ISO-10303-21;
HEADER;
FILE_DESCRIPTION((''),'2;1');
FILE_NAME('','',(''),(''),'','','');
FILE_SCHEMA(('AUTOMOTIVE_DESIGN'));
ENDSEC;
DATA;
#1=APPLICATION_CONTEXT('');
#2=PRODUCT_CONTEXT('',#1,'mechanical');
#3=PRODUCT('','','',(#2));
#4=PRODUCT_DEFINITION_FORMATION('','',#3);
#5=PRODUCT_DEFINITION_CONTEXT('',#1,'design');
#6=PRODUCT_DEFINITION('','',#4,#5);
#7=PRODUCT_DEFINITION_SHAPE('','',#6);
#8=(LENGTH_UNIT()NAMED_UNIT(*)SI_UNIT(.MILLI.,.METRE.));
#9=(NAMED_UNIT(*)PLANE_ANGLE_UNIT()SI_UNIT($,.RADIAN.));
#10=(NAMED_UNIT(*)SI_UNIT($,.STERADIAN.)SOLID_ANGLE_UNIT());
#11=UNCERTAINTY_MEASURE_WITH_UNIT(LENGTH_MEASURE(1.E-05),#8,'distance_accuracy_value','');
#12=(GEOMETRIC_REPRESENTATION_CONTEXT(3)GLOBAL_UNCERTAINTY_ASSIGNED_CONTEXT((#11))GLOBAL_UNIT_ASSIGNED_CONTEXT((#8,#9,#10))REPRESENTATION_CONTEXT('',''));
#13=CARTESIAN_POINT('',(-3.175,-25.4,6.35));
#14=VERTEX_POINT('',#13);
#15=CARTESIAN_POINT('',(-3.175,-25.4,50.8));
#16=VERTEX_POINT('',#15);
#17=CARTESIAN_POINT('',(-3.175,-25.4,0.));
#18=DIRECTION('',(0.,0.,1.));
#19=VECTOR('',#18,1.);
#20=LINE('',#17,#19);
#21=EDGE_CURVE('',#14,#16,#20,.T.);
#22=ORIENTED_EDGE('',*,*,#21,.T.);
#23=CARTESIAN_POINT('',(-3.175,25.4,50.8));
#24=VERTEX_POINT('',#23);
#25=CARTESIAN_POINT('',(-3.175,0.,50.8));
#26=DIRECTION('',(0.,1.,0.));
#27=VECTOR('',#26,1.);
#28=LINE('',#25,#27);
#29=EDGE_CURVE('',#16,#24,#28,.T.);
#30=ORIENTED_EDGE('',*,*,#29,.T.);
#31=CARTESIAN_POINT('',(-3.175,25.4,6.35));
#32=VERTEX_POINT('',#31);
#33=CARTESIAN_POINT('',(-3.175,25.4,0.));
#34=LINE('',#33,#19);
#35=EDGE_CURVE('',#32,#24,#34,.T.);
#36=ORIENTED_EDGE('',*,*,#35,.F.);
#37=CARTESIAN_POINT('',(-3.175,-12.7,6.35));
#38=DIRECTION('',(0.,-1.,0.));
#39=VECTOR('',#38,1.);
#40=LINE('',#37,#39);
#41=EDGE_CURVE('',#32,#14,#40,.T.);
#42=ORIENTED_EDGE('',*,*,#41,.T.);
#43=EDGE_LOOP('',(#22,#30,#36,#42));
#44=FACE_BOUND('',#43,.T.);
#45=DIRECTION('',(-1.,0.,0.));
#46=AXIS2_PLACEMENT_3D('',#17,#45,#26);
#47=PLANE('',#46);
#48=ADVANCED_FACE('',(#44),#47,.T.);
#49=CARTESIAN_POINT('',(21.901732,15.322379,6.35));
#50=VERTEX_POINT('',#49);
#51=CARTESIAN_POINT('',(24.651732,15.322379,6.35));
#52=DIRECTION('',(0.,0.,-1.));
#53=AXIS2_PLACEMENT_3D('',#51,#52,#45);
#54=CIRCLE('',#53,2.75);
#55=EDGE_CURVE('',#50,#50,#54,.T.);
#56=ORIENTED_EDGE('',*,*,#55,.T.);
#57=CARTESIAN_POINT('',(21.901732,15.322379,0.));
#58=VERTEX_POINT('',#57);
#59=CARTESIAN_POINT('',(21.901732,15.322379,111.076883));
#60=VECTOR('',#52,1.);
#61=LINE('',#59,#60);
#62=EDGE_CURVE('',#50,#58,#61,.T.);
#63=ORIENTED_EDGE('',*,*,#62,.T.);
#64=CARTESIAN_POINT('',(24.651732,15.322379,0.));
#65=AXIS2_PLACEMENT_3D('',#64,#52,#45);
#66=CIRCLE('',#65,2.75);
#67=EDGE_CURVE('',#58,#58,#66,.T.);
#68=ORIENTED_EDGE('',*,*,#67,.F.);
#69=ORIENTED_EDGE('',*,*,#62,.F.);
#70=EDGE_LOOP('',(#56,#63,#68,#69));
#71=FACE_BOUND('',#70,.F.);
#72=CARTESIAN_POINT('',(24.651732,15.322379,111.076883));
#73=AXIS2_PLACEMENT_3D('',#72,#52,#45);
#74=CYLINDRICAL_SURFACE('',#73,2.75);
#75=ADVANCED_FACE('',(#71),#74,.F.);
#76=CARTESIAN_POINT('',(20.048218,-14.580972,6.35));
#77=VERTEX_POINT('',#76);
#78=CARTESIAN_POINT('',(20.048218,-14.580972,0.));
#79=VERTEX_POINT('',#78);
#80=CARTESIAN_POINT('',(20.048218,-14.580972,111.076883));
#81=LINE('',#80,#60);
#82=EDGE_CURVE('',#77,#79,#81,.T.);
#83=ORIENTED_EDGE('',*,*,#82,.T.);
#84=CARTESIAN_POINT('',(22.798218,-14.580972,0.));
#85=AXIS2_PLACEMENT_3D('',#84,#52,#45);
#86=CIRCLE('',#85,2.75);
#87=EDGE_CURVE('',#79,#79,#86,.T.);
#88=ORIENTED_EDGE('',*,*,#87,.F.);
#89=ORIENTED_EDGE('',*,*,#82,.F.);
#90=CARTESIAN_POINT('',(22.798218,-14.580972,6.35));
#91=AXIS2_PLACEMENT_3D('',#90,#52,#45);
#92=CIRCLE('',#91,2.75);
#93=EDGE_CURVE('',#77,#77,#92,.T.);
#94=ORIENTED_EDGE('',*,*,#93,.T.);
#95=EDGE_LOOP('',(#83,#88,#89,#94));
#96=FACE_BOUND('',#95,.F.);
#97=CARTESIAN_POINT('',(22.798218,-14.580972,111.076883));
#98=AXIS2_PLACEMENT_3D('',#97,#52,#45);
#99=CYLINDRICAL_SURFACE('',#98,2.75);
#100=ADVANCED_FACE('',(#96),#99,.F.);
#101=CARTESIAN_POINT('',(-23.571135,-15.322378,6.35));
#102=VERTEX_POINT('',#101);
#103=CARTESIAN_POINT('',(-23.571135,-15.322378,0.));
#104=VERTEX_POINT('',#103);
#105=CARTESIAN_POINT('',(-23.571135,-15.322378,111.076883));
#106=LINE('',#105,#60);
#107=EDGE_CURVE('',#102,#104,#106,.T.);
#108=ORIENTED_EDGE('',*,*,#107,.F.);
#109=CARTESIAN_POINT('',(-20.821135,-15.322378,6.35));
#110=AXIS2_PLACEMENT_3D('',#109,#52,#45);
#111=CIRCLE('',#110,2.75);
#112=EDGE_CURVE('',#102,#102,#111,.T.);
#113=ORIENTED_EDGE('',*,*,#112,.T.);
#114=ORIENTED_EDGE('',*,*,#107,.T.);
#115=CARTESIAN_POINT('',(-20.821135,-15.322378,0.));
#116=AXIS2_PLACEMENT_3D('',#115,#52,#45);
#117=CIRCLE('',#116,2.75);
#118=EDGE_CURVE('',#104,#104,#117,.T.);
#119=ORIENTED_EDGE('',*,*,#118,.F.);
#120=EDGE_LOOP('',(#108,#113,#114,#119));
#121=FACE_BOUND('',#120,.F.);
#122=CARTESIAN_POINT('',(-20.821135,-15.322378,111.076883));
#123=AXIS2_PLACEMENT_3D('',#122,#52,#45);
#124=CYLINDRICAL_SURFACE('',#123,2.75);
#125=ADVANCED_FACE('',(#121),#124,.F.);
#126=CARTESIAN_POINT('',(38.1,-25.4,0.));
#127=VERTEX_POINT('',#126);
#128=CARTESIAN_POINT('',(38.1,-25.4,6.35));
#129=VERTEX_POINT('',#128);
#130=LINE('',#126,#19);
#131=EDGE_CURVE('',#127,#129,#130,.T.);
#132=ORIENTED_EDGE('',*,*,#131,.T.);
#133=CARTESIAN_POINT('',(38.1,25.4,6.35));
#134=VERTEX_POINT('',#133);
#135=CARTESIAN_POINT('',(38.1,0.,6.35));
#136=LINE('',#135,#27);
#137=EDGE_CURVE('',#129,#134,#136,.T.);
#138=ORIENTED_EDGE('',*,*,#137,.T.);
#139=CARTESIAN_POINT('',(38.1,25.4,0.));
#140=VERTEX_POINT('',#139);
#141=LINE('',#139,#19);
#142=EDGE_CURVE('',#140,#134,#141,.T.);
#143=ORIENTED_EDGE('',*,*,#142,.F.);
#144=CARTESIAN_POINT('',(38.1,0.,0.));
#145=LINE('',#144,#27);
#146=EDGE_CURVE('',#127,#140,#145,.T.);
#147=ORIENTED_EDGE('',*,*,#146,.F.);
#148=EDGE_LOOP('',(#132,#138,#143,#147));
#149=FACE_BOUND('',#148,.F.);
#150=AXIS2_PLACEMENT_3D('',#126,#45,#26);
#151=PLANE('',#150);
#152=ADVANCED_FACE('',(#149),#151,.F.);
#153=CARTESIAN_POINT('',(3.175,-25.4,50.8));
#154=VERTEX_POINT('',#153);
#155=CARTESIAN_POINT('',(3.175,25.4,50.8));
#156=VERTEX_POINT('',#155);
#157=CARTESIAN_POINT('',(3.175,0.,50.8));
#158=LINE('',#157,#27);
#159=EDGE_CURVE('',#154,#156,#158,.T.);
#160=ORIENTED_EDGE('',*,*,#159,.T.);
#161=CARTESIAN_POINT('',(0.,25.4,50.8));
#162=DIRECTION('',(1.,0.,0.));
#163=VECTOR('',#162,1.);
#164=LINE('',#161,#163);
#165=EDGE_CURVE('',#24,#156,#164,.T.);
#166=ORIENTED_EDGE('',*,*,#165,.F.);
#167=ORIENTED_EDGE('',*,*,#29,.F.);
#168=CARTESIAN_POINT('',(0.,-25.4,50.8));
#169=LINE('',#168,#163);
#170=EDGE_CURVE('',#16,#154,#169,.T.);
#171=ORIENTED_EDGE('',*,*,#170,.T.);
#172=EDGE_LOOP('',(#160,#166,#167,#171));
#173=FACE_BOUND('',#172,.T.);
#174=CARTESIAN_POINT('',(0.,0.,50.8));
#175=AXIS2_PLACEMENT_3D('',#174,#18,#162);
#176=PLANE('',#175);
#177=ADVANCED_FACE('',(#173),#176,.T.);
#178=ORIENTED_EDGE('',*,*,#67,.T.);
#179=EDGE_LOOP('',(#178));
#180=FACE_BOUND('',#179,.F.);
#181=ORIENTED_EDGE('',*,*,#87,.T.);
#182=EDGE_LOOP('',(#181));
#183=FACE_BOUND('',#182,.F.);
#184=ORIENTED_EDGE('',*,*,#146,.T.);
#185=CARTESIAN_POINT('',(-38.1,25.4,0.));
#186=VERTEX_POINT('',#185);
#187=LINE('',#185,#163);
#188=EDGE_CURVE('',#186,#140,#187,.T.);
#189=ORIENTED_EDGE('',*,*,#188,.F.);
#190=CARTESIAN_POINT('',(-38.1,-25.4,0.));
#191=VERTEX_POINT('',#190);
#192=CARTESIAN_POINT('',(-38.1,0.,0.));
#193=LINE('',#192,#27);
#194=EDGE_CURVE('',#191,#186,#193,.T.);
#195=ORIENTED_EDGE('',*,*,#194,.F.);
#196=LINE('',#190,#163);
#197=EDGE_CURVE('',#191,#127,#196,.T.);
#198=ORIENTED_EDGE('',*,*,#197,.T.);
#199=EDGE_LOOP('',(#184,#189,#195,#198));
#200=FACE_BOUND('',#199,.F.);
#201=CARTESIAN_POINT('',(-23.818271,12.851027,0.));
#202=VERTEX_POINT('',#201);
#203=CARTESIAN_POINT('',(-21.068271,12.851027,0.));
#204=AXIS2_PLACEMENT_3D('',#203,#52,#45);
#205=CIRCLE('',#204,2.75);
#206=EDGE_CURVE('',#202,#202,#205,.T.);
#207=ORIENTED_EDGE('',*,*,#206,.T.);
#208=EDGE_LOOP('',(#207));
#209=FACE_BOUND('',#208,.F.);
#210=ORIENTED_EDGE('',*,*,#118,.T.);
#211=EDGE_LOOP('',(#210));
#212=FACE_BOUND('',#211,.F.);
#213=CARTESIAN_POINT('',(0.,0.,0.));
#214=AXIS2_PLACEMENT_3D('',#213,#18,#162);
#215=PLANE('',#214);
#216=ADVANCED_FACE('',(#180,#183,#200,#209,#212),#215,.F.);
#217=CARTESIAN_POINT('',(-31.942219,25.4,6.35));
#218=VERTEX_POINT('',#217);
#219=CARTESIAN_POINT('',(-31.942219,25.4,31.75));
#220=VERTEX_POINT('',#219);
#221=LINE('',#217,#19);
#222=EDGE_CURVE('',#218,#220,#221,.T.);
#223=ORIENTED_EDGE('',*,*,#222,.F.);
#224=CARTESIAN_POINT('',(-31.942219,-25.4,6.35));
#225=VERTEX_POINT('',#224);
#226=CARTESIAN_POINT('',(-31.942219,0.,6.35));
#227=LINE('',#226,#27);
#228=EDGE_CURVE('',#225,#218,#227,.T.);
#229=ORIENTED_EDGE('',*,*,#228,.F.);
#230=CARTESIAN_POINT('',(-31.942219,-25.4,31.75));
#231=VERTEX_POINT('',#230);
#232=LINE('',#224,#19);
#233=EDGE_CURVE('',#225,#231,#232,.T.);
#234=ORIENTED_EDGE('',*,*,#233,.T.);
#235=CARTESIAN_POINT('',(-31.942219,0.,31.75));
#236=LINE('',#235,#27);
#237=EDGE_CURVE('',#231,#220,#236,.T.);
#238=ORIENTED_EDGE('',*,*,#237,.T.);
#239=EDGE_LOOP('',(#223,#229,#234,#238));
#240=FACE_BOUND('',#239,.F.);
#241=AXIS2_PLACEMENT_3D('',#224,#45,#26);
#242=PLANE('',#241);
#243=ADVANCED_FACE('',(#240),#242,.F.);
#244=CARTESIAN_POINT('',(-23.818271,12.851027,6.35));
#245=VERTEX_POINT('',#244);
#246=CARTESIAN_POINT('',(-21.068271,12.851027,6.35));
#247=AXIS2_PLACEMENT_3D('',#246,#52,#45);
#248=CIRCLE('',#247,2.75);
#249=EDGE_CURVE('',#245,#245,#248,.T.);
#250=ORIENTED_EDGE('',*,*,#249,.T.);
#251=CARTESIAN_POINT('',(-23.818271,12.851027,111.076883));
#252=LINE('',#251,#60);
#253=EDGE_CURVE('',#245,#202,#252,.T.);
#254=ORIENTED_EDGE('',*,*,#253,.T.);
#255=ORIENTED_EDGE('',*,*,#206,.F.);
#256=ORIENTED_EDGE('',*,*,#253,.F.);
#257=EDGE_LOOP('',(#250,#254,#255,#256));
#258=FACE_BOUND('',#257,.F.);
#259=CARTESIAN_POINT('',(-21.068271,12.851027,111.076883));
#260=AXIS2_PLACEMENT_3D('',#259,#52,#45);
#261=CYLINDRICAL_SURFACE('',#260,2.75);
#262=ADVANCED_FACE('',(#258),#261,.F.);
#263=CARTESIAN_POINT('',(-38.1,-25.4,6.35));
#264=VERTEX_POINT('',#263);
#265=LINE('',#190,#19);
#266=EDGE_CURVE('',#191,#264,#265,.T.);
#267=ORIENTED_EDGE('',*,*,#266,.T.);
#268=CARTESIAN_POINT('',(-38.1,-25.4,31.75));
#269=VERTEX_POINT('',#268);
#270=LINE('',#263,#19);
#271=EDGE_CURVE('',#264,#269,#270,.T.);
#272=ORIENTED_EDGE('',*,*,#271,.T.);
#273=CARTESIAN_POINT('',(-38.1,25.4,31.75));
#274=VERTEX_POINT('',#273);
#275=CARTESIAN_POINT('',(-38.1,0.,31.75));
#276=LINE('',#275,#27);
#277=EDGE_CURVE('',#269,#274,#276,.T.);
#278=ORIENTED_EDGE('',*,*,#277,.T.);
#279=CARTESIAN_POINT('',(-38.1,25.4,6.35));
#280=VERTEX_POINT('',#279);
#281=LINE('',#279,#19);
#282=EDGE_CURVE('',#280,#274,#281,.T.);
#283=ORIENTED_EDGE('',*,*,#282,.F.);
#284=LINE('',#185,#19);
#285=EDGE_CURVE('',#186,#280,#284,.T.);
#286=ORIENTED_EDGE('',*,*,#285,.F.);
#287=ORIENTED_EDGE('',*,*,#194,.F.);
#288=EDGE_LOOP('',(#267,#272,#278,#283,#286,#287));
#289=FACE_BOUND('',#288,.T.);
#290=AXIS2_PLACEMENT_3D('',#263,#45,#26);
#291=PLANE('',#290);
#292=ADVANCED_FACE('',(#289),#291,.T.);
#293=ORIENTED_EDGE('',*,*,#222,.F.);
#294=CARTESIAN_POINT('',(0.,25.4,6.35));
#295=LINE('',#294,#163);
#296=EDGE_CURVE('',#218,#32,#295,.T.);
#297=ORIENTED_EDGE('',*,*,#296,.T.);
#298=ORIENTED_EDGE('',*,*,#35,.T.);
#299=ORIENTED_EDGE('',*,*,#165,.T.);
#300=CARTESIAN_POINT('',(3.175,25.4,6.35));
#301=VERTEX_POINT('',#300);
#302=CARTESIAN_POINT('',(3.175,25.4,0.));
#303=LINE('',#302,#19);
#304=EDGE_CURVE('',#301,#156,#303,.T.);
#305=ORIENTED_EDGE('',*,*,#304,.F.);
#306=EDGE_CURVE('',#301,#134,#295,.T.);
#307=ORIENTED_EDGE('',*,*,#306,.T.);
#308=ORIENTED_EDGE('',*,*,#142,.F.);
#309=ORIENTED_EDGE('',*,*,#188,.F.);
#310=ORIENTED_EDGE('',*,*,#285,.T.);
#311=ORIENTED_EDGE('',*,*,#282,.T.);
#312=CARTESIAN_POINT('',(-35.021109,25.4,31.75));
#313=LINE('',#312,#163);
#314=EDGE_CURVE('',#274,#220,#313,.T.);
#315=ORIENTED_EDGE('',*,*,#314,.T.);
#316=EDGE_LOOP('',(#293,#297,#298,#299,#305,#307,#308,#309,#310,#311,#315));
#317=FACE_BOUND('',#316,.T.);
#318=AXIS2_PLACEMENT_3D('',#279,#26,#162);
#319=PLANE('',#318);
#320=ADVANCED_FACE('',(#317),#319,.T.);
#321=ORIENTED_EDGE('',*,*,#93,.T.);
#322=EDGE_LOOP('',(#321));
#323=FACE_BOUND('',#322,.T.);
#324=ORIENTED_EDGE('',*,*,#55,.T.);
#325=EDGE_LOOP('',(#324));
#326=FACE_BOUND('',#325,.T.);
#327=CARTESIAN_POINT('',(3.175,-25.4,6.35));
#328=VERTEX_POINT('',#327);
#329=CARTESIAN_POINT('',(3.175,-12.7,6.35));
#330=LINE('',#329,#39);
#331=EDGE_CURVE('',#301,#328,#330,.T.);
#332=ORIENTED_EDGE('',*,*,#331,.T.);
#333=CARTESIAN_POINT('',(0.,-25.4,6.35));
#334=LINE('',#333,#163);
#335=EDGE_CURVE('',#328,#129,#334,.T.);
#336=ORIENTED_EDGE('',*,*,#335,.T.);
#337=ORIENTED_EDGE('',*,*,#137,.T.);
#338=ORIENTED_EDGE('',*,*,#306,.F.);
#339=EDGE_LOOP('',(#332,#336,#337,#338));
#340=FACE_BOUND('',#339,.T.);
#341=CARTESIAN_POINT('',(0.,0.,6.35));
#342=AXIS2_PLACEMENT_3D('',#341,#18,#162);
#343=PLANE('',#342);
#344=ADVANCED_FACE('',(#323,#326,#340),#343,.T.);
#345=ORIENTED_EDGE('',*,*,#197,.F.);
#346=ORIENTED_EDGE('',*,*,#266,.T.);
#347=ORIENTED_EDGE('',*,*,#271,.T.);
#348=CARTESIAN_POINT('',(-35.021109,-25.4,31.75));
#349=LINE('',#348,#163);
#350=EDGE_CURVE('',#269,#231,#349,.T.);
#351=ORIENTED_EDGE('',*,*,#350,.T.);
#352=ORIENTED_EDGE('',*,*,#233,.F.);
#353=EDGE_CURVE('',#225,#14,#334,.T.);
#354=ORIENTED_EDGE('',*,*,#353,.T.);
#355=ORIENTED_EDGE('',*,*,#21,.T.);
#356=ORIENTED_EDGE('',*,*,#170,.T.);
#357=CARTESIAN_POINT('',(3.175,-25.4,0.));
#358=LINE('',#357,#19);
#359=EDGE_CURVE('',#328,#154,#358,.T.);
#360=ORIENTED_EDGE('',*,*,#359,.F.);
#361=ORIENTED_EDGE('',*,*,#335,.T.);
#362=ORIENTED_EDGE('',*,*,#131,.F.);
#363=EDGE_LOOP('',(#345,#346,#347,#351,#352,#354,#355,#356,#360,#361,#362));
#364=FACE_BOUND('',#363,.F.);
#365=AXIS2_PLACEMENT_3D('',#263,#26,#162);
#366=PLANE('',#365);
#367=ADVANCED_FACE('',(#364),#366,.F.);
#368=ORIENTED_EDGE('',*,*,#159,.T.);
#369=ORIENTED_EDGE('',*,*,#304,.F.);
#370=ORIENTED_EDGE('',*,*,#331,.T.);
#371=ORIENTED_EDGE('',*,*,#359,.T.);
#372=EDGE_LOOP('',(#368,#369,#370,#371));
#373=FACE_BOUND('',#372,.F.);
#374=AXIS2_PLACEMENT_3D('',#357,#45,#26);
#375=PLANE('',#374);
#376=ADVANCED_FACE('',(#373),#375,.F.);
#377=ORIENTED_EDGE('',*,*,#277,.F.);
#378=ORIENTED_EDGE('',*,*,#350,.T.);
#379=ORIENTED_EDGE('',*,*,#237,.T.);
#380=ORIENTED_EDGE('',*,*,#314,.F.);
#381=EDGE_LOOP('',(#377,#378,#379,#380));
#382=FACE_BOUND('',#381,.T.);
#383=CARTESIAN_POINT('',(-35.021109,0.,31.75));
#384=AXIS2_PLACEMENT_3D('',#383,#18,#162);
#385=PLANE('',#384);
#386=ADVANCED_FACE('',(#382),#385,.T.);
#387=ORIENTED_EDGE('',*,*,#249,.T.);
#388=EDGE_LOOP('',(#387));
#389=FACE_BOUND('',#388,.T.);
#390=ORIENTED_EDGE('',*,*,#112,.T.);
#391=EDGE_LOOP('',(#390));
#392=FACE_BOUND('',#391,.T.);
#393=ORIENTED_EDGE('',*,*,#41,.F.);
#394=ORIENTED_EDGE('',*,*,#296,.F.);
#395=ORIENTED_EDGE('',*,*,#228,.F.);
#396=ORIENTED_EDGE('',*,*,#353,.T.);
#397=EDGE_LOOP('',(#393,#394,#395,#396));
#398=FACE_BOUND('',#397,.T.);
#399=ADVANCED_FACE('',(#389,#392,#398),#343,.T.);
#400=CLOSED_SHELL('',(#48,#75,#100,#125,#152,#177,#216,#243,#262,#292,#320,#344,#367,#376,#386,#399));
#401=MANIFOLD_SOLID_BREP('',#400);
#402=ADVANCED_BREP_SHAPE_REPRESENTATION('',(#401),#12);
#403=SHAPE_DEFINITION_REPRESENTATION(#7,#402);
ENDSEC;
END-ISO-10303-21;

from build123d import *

# Parameters (mm, degrees)
F0_W     = 76.2
F0_H     = 50.8
F1_DEPTH = 6.35
F2_W     = 6.35
F2_H     = 50.8
F3_DEPTH = 50.8
F5_D     = 5.5
F6_W     = 6.1577814579
F6_H     = 50.8
F7_DEPTH = 25.4


with BuildPart() as f1:
    # F0 (on Top) → F1 (new body)
    with BuildSketch(Plane.XY):
        Rectangle(F0_W, F0_H)
    extrude(amount=F1_DEPTH)

    # F2 (on Top) → F3 (join)
    with BuildSketch(Plane.XY):
        Rectangle(F2_W, F2_H)
    extrude(amount=F3_DEPTH)

    # F5 (through all)
    with Locations(Plane.XY.offset(6.35)):
        with Locations((-21.0682712495, 12.8510268405), (-20.8211354911, -15.3223779052), (22.798217833, -14.5809724927), (24.6517322958, 15.3223788366)):
            Hole(F5_D / 2)

    # F6 (on face) → F7 (join)
    with BuildSketch(Plane.XY.offset(6.35)):
        with Locations((-35.021109271, 0)):
            Rectangle(F6_W, F6_H)
    extrude(amount=F7_DEPTH)


solid = f1.part
